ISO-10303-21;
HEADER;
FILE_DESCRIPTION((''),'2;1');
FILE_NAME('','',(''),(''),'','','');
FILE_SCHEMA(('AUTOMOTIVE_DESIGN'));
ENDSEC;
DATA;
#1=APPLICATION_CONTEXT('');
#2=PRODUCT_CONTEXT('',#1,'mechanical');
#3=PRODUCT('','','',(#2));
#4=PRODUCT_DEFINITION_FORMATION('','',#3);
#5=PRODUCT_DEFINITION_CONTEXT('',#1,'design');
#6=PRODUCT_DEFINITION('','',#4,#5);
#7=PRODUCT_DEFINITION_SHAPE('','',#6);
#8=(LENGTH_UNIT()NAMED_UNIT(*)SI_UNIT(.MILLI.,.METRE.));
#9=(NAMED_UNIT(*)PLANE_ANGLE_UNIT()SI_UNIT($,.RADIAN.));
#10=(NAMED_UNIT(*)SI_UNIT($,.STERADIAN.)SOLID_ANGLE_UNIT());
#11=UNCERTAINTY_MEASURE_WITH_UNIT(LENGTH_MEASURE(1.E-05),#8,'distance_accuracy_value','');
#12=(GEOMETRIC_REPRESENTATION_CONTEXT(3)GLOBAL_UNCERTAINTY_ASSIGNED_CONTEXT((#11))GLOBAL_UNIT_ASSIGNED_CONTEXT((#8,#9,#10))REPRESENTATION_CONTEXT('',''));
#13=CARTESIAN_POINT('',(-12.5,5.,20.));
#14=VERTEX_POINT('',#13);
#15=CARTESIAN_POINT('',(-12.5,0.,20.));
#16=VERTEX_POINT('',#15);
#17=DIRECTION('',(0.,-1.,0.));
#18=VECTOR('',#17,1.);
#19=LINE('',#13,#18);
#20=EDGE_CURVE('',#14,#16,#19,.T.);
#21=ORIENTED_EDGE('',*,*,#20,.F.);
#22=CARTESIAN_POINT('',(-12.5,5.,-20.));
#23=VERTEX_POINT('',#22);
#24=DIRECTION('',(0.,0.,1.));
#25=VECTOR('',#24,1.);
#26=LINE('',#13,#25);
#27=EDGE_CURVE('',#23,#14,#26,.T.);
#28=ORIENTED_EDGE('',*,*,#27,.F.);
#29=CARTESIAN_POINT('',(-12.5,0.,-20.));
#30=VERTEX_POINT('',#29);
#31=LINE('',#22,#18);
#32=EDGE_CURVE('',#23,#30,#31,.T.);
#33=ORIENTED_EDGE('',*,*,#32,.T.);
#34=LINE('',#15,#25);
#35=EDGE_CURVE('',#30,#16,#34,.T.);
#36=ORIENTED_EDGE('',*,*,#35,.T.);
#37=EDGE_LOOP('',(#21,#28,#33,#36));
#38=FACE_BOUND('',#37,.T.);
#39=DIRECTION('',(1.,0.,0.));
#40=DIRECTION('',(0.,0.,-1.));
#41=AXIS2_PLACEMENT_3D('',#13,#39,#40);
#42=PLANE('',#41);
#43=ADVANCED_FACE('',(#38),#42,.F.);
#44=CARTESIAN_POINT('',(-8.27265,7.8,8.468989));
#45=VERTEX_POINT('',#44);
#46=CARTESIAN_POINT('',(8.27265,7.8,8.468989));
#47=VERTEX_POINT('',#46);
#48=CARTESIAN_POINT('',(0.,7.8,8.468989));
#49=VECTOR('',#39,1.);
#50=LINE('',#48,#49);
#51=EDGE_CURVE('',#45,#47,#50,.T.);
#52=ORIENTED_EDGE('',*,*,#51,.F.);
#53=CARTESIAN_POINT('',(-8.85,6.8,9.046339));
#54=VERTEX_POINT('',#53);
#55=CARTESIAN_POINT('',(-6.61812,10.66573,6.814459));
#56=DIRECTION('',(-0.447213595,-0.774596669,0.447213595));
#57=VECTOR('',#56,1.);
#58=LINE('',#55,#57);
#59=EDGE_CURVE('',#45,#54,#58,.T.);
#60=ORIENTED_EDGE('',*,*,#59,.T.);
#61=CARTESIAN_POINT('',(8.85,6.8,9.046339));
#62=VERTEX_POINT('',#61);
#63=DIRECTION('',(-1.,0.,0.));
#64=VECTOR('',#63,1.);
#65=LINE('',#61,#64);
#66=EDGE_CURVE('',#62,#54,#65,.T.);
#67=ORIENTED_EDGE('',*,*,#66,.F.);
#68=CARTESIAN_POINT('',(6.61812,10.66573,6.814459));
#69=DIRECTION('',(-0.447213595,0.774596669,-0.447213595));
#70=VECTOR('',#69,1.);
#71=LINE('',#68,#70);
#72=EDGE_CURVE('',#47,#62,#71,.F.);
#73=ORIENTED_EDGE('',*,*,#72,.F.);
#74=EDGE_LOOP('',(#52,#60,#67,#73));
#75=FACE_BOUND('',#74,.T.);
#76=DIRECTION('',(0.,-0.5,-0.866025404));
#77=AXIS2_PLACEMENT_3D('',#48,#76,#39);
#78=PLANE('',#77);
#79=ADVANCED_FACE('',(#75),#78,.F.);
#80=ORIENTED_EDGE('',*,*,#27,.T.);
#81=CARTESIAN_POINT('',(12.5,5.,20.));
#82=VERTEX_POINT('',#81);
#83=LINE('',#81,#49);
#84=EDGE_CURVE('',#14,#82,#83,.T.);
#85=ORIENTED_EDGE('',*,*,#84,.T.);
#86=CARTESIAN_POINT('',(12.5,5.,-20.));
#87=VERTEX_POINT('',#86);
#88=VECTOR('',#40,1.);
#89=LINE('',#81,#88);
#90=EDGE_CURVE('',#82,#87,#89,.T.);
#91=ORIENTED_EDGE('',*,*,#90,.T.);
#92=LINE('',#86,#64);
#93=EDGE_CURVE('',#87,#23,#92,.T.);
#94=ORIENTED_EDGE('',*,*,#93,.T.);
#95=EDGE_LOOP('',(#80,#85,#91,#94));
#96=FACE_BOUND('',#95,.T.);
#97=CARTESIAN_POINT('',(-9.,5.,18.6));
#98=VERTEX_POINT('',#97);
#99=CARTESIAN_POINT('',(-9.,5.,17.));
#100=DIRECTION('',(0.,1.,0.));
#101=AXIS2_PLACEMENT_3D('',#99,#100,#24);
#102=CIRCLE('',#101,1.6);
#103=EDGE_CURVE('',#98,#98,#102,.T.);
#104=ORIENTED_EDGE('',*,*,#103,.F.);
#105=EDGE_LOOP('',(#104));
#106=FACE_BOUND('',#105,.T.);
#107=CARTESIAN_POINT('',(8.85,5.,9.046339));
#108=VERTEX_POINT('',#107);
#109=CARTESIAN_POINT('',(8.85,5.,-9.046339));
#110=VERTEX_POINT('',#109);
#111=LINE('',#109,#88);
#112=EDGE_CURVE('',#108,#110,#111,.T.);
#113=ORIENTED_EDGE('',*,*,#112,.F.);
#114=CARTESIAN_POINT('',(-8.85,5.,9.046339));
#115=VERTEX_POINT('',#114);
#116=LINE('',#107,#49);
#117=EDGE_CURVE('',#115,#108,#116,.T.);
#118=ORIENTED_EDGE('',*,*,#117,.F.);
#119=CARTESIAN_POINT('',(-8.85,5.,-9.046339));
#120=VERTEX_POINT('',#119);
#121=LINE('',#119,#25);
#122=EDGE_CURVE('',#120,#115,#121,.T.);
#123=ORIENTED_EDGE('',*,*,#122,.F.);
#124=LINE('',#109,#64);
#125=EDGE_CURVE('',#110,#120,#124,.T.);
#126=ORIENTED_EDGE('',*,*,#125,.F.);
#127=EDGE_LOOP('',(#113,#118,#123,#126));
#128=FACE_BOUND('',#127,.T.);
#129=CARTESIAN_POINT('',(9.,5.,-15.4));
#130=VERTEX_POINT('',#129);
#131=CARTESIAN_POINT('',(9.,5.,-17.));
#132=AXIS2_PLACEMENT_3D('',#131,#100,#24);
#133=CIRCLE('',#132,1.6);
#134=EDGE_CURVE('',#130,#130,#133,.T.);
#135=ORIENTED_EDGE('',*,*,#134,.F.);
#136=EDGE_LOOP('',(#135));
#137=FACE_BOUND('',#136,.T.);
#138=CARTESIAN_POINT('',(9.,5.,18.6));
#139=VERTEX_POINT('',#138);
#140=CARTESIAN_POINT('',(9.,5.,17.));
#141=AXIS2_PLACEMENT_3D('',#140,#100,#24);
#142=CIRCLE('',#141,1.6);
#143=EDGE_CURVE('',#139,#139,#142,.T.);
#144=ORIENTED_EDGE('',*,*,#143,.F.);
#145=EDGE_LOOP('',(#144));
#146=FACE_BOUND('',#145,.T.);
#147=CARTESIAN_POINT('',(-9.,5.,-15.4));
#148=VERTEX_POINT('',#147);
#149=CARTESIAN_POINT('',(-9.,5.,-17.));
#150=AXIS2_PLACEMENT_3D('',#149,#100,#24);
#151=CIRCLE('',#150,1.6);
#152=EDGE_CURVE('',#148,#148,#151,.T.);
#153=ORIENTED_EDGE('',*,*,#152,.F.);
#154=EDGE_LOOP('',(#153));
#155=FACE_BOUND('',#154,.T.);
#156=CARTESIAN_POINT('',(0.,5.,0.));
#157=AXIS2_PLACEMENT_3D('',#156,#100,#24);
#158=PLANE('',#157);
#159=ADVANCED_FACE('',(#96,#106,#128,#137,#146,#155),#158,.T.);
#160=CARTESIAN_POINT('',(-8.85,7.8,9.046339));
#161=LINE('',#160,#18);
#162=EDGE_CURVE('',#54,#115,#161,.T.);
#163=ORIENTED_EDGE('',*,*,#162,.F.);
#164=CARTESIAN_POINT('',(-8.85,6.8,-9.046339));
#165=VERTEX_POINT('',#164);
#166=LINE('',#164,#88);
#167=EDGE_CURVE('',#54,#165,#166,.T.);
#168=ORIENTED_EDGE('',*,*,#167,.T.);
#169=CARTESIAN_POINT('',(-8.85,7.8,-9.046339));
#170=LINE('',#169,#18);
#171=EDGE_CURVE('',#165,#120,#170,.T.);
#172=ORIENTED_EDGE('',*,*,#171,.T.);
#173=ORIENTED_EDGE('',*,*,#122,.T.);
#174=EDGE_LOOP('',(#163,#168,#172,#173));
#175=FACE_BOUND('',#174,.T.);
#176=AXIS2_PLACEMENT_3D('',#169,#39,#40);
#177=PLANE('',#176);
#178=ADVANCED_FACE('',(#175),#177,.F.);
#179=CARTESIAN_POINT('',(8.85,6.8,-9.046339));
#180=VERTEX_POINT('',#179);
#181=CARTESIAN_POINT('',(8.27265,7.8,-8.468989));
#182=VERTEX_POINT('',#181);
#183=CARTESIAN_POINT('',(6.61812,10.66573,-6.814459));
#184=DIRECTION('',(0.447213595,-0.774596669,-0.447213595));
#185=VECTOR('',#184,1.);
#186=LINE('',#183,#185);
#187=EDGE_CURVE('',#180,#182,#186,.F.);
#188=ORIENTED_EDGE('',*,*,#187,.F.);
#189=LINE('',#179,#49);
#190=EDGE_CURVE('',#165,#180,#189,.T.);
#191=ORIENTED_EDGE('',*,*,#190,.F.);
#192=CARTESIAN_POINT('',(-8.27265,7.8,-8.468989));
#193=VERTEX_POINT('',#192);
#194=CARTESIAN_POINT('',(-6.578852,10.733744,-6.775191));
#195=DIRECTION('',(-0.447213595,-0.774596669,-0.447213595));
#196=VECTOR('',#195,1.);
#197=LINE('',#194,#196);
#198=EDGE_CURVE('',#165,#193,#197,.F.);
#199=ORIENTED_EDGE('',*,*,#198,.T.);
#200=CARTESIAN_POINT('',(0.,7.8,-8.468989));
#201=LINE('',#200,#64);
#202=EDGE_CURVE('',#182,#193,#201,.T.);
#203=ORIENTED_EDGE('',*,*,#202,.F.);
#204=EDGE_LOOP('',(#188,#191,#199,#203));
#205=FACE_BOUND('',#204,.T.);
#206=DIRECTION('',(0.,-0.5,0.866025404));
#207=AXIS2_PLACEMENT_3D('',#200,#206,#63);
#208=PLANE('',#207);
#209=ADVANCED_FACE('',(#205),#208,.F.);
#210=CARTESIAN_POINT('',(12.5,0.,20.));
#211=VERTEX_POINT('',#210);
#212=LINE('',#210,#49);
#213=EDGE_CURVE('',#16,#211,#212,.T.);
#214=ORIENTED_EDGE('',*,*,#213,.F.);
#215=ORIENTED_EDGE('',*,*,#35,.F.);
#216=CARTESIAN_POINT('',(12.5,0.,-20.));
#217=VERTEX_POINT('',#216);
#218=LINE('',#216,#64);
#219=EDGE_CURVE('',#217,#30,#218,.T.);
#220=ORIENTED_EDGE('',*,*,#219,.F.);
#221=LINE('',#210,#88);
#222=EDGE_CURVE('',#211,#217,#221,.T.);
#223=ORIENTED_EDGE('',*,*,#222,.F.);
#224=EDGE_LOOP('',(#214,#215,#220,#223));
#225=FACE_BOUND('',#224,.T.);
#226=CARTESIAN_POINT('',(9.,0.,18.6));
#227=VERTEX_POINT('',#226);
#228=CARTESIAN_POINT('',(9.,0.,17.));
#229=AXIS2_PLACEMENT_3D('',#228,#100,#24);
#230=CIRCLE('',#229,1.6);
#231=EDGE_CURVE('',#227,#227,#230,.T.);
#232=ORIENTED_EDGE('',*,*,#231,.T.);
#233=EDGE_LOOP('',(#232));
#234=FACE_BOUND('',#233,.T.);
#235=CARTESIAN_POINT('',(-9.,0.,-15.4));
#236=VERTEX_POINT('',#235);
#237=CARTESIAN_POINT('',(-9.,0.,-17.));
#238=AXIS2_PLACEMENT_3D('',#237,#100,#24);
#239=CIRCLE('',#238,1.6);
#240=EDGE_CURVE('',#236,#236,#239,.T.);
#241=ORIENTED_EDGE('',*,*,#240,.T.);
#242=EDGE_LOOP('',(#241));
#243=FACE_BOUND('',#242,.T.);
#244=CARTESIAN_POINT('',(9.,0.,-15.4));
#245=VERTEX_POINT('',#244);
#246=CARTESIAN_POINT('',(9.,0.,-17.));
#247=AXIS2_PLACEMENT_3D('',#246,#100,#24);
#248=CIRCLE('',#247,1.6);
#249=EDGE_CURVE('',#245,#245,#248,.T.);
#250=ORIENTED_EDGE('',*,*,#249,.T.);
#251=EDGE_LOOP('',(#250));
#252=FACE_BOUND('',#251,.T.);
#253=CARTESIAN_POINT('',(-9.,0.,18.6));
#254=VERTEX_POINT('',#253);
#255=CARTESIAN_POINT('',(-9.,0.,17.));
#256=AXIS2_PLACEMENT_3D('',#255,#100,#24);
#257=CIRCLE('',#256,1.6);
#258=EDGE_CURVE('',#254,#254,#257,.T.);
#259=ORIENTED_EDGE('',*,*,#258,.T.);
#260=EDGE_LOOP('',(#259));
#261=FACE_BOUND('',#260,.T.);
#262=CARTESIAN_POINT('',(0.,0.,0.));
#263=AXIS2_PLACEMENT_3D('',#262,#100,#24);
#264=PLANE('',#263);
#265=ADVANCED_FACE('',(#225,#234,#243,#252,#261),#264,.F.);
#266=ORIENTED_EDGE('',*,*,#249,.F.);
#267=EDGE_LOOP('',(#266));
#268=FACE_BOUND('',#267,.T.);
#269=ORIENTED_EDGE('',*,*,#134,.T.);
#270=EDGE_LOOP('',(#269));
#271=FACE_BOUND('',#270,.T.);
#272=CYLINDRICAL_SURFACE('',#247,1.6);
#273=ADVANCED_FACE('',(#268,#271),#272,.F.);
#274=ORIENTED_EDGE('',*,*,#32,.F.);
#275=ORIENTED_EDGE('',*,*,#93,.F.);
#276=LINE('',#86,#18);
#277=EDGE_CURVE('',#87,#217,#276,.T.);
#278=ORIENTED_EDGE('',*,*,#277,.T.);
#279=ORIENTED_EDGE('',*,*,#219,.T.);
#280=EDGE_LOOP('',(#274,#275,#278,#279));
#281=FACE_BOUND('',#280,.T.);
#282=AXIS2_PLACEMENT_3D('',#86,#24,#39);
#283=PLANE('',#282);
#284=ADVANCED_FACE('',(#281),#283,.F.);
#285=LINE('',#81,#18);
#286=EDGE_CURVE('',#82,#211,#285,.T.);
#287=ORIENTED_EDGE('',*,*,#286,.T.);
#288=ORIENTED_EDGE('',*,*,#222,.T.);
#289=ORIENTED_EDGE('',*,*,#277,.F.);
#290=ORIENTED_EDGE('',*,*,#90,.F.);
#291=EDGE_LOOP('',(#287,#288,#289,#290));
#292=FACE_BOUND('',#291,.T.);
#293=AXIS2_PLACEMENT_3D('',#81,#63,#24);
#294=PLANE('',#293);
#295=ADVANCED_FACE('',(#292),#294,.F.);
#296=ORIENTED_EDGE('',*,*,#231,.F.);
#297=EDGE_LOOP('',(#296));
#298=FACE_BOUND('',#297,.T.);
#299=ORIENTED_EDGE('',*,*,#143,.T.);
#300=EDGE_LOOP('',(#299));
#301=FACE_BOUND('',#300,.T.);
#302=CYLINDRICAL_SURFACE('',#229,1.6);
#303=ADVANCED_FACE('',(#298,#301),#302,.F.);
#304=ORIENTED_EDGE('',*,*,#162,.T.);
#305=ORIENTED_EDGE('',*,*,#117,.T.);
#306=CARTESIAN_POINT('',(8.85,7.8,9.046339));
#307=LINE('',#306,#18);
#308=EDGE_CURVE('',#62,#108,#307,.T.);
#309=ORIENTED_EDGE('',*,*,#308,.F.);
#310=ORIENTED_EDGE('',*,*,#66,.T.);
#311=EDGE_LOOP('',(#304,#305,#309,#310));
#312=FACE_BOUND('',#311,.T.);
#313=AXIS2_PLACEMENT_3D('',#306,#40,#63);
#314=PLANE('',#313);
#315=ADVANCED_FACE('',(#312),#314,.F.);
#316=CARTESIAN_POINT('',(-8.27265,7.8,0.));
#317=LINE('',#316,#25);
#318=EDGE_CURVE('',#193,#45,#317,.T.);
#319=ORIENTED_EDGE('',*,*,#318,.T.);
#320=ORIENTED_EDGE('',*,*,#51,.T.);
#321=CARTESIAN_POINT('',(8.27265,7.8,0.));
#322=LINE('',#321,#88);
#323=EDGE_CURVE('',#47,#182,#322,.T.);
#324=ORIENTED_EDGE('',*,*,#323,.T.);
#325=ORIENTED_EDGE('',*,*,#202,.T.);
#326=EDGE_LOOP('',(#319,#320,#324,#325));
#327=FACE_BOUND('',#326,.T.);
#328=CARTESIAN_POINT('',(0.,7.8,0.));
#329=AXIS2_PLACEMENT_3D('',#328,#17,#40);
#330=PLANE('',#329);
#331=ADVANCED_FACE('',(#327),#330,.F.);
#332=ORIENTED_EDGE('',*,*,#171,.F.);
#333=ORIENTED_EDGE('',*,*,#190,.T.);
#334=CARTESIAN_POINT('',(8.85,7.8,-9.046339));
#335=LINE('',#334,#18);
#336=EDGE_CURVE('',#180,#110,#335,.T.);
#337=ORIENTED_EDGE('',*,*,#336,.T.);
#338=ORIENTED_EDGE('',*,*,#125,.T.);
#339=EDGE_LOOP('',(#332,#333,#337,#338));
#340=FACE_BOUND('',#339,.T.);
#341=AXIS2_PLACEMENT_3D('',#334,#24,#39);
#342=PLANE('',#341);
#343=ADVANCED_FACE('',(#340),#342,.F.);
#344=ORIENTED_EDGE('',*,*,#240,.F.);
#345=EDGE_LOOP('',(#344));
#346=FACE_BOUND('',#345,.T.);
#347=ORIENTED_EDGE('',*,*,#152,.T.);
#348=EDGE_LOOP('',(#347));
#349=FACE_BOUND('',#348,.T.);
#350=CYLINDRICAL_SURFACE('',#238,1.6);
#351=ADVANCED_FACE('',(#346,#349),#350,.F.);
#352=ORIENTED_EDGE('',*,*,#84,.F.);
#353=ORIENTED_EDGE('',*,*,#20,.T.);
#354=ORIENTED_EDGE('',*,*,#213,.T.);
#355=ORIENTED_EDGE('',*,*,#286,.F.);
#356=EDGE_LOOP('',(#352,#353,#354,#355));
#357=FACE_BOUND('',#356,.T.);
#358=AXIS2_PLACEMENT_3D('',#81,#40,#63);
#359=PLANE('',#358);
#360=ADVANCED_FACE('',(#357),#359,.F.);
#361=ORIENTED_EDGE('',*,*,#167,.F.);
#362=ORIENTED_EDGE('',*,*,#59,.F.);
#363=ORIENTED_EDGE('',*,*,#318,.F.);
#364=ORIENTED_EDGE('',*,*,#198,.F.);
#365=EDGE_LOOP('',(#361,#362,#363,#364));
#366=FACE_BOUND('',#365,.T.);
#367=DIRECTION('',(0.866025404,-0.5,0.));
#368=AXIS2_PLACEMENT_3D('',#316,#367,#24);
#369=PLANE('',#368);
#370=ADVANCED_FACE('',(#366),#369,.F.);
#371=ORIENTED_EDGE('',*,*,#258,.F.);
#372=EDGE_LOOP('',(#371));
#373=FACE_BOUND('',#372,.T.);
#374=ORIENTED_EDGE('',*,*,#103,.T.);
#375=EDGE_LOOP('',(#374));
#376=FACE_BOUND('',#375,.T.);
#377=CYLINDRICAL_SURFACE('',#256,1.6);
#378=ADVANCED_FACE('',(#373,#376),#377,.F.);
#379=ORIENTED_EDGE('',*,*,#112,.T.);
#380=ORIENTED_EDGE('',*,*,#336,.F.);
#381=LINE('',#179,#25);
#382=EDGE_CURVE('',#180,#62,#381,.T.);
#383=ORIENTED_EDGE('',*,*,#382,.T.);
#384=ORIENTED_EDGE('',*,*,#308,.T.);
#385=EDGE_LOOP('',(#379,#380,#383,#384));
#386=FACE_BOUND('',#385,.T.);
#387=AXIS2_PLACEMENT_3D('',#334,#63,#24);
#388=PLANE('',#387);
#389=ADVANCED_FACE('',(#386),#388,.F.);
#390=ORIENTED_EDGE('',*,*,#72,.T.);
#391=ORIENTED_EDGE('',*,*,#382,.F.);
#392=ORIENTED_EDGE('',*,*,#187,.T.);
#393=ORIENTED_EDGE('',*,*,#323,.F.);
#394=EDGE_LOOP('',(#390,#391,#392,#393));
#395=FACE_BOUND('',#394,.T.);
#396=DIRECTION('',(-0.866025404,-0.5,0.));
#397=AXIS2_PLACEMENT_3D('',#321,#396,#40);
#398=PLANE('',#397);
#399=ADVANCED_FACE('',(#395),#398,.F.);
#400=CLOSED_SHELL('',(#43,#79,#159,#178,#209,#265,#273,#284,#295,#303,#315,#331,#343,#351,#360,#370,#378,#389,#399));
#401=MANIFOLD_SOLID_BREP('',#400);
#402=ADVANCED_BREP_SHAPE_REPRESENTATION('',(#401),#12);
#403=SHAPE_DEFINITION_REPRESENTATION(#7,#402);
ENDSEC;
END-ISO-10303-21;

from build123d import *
from OCP.BRepFilletAPI import BRepFilletAPI_MakeChamfer

# Parameters (mm, degrees)
SKETCH1_W               = 25
SKETCH1_H               = 40
BOSS_EXTRUDE1_DEPTH     = 5
SKETCH4_R               = 4.15
CUT_EXTRUDE2_DEPTH      = 25.109126902
SKETCH9_W               = 17.7
SKETCH9_H               = 18.092678694
BOSS_EXTRUDE3_DEPTH     = 2.8
CUT_EXTRUDE4_DEPTH      = 25.109126902
CUT_EXTRUDE4_DEPTH_BACK = 25.109126902
SKETCH6_R               = 1.6
CHAMFER1_SIZE           = 1
CHAMFER1_SIZE2          = 0.577350269
SKETCH10_R              = 4.15
BOSS_EXTRUDE4_DEPTH     = 5


with BuildPart() as part:
    # Sketch1 → Boss-Extrude1 (new body)
    with BuildSketch(Plane(origin=(0, 0, 0), x_dir=(1, 0, 0), z_dir=(0, 1, 0))):
        Rectangle(SKETCH1_W, SKETCH1_H)
    extrude(amount=BOSS_EXTRUDE1_DEPTH)

    # Sketch4 → Cut-Extrude2 (cut, through all)
    with BuildSketch(Plane(origin=(0, 5, 0), x_dir=(1, 0, 0), z_dir=(0, 1, 0))):
        with Locations(Location((0, 0, 0), (0, 0, 270))):
            Circle(SKETCH4_R)
    extrude(amount=-CUT_EXTRUDE2_DEPTH, mode=Mode.SUBTRACT)

    # Sketch9 → Boss-Extrude3 (add)
    with BuildSketch(Plane(origin=(0, 5, 0), x_dir=(1, 0, 0), z_dir=(0, 1, 0))):
        Rectangle(SKETCH9_W, SKETCH9_H)
    extrude(amount=BOSS_EXTRUDE3_DEPTH)

    # Sketch6 → Cut-Extrude4 (cut, two sides: drawn at the far end of the back side and taken through both)
    with BuildSketch(Plane(origin=(0, 5, 0), x_dir=(1, 0, 0), z_dir=(0, 1, 0)).offset(-CUT_EXTRUDE4_DEPTH_BACK)):
        with Locations(Location((9, -17, 0), (0, 0, 270))):
            Circle(SKETCH6_R)
        with Locations(Location((-9, -17, 0), (0, 0, 270))):
            Circle(SKETCH6_R)
        with Locations(Location((-9, 17, 0), (0, 0, 270))):
            Circle(SKETCH6_R)
        with Locations(Location((9, 17, 0), (0, 0, 270))):
            Circle(SKETCH6_R)
    extrude(amount=CUT_EXTRUDE4_DEPTH + CUT_EXTRUDE4_DEPTH_BACK, mode=Mode.SUBTRACT)

    # Chamfer1: one chamfer whose edges measure the first distance from different faces: ONE call of the kernel's chamfer builder (chamfer() names one face for all edges)
    chamfer1_edges_1 = [part.edges().sort_by_distance(p)[0] for p in [
        (-8.85, 7.8, 0),
    ]]
    chamfer1_side_1 = [part.faces().sort_by_distance(p)[0] for p in [
        (-8.85, 6.4, 0),
    ]]
    chamfer1_edges_2 = [part.edges().sort_by_distance(p)[0] for p in [
        (0, 7.8, 9.046339347),
    ]]
    chamfer1_side_2 = [part.faces().sort_by_distance(p)[0] for p in [
        (0, 6.4, 9.046339347),
    ]]
    chamfer1_edges_3 = [part.edges().sort_by_distance(p)[0] for p in [
        (8.85, 7.8, 0),
    ]]
    chamfer1_side_3 = [part.faces().sort_by_distance(p)[0] for p in [
        (8.85, 6.4, 0),
    ]]
    chamfer1_edges_4 = [part.edges().sort_by_distance(p)[0] for p in [
        (0, 7.8, -9.046339347),
    ]]
    chamfer1_side_4 = [part.faces().sort_by_distance(p)[0] for p in [
        (0, 6.4, -9.046339347),
    ]]
    chamfer1 = BRepFilletAPI_MakeChamfer(part.part.solid().wrapped)
    for e in chamfer1_edges_1:
        chamfer1.Add(CHAMFER1_SIZE, CHAMFER1_SIZE2, e.wrapped, chamfer1_side_1[0].wrapped)  # the first distance lies on this face
    for e in chamfer1_edges_2:
        chamfer1.Add(CHAMFER1_SIZE, CHAMFER1_SIZE2, e.wrapped, chamfer1_side_2[0].wrapped)  # the first distance lies on this face
    for e in chamfer1_edges_3:
        chamfer1.Add(CHAMFER1_SIZE, CHAMFER1_SIZE2, e.wrapped, chamfer1_side_3[0].wrapped)  # the first distance lies on this face
    for e in chamfer1_edges_4:
        chamfer1.Add(CHAMFER1_SIZE, CHAMFER1_SIZE2, e.wrapped, chamfer1_side_4[0].wrapped)  # the first distance lies on this face
    add(Compound.cast(chamfer1.Shape()), mode=Mode.REPLACE)

    # Sketch10 → Boss-Extrude4 (add)
    with BuildSketch(Plane.XZ.offset(-5)):
        Circle(SKETCH10_R)
    extrude(amount=BOSS_EXTRUDE4_DEPTH)


solid = part.part
